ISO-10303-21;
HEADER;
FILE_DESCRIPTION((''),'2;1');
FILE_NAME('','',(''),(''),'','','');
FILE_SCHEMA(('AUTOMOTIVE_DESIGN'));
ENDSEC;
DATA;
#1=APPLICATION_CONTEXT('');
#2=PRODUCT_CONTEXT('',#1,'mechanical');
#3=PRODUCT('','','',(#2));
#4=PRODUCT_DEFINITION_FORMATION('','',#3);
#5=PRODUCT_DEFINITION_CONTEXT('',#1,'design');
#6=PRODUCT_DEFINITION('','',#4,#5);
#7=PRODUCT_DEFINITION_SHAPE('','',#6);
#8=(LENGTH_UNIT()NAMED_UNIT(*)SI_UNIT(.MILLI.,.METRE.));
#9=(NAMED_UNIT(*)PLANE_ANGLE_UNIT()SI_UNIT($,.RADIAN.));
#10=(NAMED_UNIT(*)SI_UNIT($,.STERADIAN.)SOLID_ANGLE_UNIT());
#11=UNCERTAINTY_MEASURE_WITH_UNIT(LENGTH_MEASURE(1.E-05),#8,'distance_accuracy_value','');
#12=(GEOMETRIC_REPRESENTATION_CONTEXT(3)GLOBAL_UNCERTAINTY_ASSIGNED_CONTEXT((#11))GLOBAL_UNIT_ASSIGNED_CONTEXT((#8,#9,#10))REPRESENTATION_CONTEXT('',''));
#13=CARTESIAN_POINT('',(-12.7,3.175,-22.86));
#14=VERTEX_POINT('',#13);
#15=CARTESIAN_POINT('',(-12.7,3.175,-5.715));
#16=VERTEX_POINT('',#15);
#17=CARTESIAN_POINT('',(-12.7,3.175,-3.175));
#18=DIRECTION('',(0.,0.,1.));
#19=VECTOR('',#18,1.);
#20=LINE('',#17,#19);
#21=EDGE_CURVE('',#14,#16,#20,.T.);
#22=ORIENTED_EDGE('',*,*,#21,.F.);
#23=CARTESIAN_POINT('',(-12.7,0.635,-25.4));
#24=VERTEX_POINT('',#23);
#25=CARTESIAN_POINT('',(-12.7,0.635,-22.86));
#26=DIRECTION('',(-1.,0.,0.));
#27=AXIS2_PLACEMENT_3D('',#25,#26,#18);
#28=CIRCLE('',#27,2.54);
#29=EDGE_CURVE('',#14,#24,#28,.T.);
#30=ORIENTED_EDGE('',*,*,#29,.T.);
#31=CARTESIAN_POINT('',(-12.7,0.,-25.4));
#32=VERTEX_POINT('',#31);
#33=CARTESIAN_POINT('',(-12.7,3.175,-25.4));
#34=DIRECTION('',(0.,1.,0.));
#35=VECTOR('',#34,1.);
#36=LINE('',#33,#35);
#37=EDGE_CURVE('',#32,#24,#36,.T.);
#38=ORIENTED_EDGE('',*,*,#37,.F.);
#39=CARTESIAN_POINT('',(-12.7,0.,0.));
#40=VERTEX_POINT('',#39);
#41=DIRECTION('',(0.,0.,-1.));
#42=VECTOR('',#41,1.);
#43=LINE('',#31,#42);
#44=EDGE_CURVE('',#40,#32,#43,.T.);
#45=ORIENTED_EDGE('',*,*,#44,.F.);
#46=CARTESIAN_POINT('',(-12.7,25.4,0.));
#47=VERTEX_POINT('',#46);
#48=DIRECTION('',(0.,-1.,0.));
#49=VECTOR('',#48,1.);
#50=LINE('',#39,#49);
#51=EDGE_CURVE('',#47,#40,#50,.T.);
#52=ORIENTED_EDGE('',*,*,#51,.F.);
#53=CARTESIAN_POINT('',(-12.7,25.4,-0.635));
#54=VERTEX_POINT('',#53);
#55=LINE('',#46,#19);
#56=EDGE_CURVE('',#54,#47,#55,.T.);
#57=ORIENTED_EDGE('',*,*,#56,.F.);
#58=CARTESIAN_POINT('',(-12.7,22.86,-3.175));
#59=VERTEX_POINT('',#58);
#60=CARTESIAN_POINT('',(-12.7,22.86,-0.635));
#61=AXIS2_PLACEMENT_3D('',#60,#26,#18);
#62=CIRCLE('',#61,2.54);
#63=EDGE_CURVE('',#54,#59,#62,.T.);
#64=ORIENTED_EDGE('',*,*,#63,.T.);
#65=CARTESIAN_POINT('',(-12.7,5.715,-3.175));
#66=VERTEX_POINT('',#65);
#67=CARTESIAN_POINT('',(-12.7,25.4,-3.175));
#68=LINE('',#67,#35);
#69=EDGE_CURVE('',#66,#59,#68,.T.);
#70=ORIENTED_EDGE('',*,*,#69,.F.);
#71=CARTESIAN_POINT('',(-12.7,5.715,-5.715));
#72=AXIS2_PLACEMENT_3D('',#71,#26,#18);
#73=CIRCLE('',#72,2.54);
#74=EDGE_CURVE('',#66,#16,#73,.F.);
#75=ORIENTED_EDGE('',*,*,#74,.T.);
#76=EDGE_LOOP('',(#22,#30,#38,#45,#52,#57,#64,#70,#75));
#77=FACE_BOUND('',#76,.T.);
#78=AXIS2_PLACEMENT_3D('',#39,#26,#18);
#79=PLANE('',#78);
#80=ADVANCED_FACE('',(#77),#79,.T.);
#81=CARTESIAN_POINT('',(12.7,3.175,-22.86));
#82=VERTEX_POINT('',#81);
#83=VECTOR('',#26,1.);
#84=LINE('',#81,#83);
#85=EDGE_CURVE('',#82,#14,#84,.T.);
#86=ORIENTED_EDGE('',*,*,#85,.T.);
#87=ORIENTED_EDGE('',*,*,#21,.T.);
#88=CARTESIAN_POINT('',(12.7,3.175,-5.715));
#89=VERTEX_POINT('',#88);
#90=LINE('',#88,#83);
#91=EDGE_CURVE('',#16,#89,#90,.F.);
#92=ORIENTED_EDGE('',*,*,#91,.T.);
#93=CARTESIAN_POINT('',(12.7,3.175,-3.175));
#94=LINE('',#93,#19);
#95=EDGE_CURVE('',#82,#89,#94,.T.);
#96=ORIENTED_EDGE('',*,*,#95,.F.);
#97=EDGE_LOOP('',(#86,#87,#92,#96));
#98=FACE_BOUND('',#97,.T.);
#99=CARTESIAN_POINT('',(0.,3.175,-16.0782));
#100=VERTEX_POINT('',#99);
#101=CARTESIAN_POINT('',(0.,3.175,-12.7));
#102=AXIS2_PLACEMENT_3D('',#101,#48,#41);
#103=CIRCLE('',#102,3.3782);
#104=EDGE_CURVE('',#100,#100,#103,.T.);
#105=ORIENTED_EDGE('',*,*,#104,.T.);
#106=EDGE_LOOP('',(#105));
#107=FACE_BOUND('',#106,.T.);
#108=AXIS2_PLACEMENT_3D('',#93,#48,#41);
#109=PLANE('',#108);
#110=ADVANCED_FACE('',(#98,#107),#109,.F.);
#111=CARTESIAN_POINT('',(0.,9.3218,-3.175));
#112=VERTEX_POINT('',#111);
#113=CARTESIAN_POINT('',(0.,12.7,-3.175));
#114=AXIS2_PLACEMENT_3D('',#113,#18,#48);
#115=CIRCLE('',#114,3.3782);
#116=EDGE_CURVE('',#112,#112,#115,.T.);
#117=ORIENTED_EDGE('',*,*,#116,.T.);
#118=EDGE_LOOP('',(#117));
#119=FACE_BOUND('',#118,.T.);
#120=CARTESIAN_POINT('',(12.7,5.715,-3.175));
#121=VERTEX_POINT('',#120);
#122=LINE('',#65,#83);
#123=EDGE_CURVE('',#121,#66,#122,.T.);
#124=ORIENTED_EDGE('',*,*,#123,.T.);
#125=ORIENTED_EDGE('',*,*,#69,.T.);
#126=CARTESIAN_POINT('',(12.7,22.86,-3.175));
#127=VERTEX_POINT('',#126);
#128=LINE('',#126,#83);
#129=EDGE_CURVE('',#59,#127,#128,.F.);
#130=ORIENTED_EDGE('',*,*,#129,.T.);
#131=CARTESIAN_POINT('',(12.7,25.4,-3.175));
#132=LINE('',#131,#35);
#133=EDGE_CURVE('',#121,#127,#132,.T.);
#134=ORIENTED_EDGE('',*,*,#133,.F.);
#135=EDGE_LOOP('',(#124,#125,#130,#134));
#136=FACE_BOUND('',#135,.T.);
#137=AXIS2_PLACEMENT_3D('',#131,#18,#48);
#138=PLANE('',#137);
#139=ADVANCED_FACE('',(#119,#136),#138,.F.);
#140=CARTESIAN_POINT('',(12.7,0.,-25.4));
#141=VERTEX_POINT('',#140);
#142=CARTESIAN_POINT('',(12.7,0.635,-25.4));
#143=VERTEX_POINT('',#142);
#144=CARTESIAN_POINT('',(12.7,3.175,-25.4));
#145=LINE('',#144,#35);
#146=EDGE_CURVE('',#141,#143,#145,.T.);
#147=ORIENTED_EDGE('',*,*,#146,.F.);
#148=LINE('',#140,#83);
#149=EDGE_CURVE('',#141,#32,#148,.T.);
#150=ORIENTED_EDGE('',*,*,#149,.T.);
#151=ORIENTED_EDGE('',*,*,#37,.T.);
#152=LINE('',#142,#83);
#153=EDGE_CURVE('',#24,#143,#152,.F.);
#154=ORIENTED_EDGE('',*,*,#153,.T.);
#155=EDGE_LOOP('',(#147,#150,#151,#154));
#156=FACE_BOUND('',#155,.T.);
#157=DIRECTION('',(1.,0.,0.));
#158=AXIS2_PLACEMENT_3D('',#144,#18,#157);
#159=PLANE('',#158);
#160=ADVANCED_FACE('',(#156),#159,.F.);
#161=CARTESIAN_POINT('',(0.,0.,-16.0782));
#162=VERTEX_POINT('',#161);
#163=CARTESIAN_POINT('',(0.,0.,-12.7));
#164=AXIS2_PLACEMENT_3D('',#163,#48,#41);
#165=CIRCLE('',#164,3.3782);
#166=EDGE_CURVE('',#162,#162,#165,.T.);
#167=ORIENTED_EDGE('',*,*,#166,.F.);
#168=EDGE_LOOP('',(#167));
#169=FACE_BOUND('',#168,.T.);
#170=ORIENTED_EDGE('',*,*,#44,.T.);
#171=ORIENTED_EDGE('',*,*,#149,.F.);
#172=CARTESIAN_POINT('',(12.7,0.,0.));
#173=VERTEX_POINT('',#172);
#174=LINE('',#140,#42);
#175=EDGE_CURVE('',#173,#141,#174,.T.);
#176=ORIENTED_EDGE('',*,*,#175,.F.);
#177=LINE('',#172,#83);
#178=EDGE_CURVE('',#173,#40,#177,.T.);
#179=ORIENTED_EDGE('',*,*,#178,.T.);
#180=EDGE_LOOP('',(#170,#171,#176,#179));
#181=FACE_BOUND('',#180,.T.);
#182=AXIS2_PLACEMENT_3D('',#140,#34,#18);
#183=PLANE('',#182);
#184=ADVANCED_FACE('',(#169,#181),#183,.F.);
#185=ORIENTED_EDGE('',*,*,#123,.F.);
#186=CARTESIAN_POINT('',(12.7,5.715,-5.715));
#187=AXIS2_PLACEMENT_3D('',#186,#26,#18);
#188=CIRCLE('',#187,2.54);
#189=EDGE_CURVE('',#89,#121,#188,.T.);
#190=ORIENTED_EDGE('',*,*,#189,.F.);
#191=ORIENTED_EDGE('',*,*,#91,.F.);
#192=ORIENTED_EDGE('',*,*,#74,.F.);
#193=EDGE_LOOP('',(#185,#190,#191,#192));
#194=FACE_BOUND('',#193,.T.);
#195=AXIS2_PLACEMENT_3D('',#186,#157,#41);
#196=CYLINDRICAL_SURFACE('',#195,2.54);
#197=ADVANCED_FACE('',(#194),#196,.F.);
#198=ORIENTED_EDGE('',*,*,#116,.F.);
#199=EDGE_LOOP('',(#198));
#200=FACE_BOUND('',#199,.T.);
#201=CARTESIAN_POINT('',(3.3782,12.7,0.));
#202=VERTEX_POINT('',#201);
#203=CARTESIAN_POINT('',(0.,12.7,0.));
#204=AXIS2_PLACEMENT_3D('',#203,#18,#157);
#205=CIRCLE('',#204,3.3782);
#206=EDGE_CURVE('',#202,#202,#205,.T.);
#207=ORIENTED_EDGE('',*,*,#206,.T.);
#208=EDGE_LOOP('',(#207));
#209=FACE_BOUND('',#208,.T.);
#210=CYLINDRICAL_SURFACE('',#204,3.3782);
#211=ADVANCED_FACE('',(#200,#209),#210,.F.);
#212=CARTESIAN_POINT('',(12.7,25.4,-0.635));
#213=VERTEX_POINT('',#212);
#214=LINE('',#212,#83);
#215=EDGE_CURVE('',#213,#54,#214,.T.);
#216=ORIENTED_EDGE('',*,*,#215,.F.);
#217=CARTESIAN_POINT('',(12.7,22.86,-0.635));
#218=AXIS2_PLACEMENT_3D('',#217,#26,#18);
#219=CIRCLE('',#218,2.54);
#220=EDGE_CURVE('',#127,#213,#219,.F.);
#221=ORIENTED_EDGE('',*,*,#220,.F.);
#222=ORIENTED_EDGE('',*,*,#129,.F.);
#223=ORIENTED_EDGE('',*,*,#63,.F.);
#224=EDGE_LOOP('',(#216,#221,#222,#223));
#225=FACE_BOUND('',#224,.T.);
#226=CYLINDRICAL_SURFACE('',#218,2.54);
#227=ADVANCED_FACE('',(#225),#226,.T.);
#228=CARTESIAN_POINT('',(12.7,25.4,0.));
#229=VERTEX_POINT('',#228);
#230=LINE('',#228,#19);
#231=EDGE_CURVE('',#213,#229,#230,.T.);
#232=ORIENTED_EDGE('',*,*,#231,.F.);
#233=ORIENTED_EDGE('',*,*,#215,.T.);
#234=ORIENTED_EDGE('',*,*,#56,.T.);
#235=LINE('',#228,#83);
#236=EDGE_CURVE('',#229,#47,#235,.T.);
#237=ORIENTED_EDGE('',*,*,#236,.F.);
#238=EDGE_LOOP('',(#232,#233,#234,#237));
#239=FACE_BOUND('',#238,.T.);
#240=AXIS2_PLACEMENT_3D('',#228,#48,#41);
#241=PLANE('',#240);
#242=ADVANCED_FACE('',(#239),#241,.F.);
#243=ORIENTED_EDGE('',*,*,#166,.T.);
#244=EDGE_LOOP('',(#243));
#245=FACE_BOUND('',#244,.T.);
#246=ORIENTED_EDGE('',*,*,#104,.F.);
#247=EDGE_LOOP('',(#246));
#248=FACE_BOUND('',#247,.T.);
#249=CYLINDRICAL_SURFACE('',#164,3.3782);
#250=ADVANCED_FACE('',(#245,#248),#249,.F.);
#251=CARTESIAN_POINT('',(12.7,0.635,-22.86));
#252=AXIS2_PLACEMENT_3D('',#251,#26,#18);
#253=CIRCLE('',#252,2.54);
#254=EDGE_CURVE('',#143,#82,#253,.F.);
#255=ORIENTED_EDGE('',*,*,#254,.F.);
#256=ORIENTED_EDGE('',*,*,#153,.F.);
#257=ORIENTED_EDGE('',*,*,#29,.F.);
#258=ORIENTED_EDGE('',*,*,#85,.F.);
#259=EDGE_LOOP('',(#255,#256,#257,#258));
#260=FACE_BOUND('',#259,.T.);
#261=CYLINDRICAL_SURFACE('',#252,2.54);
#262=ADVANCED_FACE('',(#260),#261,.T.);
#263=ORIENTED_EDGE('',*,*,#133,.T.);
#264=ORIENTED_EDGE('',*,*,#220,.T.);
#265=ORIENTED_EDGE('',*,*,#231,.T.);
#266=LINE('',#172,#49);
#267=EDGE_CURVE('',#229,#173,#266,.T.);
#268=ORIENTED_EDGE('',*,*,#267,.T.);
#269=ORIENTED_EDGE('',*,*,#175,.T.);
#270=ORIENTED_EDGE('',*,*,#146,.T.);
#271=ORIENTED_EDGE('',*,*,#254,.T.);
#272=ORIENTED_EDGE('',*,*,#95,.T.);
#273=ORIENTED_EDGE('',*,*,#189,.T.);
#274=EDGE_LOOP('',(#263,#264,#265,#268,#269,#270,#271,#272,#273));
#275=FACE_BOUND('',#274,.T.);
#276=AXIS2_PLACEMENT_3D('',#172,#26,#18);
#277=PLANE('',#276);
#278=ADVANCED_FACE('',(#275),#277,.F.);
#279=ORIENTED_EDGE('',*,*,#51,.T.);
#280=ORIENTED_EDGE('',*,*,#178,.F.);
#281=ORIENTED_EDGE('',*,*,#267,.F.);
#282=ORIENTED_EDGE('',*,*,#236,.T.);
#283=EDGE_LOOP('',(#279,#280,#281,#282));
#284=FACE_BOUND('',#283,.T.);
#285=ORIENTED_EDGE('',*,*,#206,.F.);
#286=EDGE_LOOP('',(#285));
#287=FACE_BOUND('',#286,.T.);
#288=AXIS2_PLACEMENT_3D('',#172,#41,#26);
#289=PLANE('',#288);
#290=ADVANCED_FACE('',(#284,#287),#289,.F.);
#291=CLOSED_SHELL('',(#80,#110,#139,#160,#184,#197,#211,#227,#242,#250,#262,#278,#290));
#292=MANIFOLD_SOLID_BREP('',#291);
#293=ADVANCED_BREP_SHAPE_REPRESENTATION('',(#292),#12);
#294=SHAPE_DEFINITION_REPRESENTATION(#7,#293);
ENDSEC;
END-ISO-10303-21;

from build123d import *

# Parameters (mm, degrees)
EXTRUDE1_DEPTH          = 12.7
F_1_4_CLEARANCE_HOLE1_D = 6.7564
F_1_4_CLEARANCE_HOLE2_D = 6.7564
FILLET1_R               = 2.54


with BuildPart() as part:
    # Sketch1 → Extrude1 (new, symmetric)
    with BuildSketch(Plane(origin=(0, 0, 0), x_dir=(0, 0, -1), z_dir=(1, 0, 0))):
        Polygon((0, 0), (0, 25.4), (3.175, 25.4), (3.175, 3.175), (25.4, 3.175), (25.4, 0), align=None)
    extrude(amount=EXTRUDE1_DEPTH, both=True)

    # 1/4 Clearance Hole1 (through all)
    with Locations(Plane.XY):
        with Locations((0, 12.7)):
            Hole(F_1_4_CLEARANCE_HOLE1_D / 2)

    # 1/4 Clearance Hole2 (through all)
    with Locations(Plane.XZ):
        with Locations((0, -12.7)):
            Hole(F_1_4_CLEARANCE_HOLE2_D / 2)

    # Fillet1
    fillet1_edges = [part.edges().sort_by_distance(p)[0] for p in [
        (0, 25.4, -3.175),
        (0, 3.175, -3.175),
        (0, 3.175, -25.4),
    ]]
    fillet(fillet1_edges, radius=FILLET1_R)


solid = part.part
